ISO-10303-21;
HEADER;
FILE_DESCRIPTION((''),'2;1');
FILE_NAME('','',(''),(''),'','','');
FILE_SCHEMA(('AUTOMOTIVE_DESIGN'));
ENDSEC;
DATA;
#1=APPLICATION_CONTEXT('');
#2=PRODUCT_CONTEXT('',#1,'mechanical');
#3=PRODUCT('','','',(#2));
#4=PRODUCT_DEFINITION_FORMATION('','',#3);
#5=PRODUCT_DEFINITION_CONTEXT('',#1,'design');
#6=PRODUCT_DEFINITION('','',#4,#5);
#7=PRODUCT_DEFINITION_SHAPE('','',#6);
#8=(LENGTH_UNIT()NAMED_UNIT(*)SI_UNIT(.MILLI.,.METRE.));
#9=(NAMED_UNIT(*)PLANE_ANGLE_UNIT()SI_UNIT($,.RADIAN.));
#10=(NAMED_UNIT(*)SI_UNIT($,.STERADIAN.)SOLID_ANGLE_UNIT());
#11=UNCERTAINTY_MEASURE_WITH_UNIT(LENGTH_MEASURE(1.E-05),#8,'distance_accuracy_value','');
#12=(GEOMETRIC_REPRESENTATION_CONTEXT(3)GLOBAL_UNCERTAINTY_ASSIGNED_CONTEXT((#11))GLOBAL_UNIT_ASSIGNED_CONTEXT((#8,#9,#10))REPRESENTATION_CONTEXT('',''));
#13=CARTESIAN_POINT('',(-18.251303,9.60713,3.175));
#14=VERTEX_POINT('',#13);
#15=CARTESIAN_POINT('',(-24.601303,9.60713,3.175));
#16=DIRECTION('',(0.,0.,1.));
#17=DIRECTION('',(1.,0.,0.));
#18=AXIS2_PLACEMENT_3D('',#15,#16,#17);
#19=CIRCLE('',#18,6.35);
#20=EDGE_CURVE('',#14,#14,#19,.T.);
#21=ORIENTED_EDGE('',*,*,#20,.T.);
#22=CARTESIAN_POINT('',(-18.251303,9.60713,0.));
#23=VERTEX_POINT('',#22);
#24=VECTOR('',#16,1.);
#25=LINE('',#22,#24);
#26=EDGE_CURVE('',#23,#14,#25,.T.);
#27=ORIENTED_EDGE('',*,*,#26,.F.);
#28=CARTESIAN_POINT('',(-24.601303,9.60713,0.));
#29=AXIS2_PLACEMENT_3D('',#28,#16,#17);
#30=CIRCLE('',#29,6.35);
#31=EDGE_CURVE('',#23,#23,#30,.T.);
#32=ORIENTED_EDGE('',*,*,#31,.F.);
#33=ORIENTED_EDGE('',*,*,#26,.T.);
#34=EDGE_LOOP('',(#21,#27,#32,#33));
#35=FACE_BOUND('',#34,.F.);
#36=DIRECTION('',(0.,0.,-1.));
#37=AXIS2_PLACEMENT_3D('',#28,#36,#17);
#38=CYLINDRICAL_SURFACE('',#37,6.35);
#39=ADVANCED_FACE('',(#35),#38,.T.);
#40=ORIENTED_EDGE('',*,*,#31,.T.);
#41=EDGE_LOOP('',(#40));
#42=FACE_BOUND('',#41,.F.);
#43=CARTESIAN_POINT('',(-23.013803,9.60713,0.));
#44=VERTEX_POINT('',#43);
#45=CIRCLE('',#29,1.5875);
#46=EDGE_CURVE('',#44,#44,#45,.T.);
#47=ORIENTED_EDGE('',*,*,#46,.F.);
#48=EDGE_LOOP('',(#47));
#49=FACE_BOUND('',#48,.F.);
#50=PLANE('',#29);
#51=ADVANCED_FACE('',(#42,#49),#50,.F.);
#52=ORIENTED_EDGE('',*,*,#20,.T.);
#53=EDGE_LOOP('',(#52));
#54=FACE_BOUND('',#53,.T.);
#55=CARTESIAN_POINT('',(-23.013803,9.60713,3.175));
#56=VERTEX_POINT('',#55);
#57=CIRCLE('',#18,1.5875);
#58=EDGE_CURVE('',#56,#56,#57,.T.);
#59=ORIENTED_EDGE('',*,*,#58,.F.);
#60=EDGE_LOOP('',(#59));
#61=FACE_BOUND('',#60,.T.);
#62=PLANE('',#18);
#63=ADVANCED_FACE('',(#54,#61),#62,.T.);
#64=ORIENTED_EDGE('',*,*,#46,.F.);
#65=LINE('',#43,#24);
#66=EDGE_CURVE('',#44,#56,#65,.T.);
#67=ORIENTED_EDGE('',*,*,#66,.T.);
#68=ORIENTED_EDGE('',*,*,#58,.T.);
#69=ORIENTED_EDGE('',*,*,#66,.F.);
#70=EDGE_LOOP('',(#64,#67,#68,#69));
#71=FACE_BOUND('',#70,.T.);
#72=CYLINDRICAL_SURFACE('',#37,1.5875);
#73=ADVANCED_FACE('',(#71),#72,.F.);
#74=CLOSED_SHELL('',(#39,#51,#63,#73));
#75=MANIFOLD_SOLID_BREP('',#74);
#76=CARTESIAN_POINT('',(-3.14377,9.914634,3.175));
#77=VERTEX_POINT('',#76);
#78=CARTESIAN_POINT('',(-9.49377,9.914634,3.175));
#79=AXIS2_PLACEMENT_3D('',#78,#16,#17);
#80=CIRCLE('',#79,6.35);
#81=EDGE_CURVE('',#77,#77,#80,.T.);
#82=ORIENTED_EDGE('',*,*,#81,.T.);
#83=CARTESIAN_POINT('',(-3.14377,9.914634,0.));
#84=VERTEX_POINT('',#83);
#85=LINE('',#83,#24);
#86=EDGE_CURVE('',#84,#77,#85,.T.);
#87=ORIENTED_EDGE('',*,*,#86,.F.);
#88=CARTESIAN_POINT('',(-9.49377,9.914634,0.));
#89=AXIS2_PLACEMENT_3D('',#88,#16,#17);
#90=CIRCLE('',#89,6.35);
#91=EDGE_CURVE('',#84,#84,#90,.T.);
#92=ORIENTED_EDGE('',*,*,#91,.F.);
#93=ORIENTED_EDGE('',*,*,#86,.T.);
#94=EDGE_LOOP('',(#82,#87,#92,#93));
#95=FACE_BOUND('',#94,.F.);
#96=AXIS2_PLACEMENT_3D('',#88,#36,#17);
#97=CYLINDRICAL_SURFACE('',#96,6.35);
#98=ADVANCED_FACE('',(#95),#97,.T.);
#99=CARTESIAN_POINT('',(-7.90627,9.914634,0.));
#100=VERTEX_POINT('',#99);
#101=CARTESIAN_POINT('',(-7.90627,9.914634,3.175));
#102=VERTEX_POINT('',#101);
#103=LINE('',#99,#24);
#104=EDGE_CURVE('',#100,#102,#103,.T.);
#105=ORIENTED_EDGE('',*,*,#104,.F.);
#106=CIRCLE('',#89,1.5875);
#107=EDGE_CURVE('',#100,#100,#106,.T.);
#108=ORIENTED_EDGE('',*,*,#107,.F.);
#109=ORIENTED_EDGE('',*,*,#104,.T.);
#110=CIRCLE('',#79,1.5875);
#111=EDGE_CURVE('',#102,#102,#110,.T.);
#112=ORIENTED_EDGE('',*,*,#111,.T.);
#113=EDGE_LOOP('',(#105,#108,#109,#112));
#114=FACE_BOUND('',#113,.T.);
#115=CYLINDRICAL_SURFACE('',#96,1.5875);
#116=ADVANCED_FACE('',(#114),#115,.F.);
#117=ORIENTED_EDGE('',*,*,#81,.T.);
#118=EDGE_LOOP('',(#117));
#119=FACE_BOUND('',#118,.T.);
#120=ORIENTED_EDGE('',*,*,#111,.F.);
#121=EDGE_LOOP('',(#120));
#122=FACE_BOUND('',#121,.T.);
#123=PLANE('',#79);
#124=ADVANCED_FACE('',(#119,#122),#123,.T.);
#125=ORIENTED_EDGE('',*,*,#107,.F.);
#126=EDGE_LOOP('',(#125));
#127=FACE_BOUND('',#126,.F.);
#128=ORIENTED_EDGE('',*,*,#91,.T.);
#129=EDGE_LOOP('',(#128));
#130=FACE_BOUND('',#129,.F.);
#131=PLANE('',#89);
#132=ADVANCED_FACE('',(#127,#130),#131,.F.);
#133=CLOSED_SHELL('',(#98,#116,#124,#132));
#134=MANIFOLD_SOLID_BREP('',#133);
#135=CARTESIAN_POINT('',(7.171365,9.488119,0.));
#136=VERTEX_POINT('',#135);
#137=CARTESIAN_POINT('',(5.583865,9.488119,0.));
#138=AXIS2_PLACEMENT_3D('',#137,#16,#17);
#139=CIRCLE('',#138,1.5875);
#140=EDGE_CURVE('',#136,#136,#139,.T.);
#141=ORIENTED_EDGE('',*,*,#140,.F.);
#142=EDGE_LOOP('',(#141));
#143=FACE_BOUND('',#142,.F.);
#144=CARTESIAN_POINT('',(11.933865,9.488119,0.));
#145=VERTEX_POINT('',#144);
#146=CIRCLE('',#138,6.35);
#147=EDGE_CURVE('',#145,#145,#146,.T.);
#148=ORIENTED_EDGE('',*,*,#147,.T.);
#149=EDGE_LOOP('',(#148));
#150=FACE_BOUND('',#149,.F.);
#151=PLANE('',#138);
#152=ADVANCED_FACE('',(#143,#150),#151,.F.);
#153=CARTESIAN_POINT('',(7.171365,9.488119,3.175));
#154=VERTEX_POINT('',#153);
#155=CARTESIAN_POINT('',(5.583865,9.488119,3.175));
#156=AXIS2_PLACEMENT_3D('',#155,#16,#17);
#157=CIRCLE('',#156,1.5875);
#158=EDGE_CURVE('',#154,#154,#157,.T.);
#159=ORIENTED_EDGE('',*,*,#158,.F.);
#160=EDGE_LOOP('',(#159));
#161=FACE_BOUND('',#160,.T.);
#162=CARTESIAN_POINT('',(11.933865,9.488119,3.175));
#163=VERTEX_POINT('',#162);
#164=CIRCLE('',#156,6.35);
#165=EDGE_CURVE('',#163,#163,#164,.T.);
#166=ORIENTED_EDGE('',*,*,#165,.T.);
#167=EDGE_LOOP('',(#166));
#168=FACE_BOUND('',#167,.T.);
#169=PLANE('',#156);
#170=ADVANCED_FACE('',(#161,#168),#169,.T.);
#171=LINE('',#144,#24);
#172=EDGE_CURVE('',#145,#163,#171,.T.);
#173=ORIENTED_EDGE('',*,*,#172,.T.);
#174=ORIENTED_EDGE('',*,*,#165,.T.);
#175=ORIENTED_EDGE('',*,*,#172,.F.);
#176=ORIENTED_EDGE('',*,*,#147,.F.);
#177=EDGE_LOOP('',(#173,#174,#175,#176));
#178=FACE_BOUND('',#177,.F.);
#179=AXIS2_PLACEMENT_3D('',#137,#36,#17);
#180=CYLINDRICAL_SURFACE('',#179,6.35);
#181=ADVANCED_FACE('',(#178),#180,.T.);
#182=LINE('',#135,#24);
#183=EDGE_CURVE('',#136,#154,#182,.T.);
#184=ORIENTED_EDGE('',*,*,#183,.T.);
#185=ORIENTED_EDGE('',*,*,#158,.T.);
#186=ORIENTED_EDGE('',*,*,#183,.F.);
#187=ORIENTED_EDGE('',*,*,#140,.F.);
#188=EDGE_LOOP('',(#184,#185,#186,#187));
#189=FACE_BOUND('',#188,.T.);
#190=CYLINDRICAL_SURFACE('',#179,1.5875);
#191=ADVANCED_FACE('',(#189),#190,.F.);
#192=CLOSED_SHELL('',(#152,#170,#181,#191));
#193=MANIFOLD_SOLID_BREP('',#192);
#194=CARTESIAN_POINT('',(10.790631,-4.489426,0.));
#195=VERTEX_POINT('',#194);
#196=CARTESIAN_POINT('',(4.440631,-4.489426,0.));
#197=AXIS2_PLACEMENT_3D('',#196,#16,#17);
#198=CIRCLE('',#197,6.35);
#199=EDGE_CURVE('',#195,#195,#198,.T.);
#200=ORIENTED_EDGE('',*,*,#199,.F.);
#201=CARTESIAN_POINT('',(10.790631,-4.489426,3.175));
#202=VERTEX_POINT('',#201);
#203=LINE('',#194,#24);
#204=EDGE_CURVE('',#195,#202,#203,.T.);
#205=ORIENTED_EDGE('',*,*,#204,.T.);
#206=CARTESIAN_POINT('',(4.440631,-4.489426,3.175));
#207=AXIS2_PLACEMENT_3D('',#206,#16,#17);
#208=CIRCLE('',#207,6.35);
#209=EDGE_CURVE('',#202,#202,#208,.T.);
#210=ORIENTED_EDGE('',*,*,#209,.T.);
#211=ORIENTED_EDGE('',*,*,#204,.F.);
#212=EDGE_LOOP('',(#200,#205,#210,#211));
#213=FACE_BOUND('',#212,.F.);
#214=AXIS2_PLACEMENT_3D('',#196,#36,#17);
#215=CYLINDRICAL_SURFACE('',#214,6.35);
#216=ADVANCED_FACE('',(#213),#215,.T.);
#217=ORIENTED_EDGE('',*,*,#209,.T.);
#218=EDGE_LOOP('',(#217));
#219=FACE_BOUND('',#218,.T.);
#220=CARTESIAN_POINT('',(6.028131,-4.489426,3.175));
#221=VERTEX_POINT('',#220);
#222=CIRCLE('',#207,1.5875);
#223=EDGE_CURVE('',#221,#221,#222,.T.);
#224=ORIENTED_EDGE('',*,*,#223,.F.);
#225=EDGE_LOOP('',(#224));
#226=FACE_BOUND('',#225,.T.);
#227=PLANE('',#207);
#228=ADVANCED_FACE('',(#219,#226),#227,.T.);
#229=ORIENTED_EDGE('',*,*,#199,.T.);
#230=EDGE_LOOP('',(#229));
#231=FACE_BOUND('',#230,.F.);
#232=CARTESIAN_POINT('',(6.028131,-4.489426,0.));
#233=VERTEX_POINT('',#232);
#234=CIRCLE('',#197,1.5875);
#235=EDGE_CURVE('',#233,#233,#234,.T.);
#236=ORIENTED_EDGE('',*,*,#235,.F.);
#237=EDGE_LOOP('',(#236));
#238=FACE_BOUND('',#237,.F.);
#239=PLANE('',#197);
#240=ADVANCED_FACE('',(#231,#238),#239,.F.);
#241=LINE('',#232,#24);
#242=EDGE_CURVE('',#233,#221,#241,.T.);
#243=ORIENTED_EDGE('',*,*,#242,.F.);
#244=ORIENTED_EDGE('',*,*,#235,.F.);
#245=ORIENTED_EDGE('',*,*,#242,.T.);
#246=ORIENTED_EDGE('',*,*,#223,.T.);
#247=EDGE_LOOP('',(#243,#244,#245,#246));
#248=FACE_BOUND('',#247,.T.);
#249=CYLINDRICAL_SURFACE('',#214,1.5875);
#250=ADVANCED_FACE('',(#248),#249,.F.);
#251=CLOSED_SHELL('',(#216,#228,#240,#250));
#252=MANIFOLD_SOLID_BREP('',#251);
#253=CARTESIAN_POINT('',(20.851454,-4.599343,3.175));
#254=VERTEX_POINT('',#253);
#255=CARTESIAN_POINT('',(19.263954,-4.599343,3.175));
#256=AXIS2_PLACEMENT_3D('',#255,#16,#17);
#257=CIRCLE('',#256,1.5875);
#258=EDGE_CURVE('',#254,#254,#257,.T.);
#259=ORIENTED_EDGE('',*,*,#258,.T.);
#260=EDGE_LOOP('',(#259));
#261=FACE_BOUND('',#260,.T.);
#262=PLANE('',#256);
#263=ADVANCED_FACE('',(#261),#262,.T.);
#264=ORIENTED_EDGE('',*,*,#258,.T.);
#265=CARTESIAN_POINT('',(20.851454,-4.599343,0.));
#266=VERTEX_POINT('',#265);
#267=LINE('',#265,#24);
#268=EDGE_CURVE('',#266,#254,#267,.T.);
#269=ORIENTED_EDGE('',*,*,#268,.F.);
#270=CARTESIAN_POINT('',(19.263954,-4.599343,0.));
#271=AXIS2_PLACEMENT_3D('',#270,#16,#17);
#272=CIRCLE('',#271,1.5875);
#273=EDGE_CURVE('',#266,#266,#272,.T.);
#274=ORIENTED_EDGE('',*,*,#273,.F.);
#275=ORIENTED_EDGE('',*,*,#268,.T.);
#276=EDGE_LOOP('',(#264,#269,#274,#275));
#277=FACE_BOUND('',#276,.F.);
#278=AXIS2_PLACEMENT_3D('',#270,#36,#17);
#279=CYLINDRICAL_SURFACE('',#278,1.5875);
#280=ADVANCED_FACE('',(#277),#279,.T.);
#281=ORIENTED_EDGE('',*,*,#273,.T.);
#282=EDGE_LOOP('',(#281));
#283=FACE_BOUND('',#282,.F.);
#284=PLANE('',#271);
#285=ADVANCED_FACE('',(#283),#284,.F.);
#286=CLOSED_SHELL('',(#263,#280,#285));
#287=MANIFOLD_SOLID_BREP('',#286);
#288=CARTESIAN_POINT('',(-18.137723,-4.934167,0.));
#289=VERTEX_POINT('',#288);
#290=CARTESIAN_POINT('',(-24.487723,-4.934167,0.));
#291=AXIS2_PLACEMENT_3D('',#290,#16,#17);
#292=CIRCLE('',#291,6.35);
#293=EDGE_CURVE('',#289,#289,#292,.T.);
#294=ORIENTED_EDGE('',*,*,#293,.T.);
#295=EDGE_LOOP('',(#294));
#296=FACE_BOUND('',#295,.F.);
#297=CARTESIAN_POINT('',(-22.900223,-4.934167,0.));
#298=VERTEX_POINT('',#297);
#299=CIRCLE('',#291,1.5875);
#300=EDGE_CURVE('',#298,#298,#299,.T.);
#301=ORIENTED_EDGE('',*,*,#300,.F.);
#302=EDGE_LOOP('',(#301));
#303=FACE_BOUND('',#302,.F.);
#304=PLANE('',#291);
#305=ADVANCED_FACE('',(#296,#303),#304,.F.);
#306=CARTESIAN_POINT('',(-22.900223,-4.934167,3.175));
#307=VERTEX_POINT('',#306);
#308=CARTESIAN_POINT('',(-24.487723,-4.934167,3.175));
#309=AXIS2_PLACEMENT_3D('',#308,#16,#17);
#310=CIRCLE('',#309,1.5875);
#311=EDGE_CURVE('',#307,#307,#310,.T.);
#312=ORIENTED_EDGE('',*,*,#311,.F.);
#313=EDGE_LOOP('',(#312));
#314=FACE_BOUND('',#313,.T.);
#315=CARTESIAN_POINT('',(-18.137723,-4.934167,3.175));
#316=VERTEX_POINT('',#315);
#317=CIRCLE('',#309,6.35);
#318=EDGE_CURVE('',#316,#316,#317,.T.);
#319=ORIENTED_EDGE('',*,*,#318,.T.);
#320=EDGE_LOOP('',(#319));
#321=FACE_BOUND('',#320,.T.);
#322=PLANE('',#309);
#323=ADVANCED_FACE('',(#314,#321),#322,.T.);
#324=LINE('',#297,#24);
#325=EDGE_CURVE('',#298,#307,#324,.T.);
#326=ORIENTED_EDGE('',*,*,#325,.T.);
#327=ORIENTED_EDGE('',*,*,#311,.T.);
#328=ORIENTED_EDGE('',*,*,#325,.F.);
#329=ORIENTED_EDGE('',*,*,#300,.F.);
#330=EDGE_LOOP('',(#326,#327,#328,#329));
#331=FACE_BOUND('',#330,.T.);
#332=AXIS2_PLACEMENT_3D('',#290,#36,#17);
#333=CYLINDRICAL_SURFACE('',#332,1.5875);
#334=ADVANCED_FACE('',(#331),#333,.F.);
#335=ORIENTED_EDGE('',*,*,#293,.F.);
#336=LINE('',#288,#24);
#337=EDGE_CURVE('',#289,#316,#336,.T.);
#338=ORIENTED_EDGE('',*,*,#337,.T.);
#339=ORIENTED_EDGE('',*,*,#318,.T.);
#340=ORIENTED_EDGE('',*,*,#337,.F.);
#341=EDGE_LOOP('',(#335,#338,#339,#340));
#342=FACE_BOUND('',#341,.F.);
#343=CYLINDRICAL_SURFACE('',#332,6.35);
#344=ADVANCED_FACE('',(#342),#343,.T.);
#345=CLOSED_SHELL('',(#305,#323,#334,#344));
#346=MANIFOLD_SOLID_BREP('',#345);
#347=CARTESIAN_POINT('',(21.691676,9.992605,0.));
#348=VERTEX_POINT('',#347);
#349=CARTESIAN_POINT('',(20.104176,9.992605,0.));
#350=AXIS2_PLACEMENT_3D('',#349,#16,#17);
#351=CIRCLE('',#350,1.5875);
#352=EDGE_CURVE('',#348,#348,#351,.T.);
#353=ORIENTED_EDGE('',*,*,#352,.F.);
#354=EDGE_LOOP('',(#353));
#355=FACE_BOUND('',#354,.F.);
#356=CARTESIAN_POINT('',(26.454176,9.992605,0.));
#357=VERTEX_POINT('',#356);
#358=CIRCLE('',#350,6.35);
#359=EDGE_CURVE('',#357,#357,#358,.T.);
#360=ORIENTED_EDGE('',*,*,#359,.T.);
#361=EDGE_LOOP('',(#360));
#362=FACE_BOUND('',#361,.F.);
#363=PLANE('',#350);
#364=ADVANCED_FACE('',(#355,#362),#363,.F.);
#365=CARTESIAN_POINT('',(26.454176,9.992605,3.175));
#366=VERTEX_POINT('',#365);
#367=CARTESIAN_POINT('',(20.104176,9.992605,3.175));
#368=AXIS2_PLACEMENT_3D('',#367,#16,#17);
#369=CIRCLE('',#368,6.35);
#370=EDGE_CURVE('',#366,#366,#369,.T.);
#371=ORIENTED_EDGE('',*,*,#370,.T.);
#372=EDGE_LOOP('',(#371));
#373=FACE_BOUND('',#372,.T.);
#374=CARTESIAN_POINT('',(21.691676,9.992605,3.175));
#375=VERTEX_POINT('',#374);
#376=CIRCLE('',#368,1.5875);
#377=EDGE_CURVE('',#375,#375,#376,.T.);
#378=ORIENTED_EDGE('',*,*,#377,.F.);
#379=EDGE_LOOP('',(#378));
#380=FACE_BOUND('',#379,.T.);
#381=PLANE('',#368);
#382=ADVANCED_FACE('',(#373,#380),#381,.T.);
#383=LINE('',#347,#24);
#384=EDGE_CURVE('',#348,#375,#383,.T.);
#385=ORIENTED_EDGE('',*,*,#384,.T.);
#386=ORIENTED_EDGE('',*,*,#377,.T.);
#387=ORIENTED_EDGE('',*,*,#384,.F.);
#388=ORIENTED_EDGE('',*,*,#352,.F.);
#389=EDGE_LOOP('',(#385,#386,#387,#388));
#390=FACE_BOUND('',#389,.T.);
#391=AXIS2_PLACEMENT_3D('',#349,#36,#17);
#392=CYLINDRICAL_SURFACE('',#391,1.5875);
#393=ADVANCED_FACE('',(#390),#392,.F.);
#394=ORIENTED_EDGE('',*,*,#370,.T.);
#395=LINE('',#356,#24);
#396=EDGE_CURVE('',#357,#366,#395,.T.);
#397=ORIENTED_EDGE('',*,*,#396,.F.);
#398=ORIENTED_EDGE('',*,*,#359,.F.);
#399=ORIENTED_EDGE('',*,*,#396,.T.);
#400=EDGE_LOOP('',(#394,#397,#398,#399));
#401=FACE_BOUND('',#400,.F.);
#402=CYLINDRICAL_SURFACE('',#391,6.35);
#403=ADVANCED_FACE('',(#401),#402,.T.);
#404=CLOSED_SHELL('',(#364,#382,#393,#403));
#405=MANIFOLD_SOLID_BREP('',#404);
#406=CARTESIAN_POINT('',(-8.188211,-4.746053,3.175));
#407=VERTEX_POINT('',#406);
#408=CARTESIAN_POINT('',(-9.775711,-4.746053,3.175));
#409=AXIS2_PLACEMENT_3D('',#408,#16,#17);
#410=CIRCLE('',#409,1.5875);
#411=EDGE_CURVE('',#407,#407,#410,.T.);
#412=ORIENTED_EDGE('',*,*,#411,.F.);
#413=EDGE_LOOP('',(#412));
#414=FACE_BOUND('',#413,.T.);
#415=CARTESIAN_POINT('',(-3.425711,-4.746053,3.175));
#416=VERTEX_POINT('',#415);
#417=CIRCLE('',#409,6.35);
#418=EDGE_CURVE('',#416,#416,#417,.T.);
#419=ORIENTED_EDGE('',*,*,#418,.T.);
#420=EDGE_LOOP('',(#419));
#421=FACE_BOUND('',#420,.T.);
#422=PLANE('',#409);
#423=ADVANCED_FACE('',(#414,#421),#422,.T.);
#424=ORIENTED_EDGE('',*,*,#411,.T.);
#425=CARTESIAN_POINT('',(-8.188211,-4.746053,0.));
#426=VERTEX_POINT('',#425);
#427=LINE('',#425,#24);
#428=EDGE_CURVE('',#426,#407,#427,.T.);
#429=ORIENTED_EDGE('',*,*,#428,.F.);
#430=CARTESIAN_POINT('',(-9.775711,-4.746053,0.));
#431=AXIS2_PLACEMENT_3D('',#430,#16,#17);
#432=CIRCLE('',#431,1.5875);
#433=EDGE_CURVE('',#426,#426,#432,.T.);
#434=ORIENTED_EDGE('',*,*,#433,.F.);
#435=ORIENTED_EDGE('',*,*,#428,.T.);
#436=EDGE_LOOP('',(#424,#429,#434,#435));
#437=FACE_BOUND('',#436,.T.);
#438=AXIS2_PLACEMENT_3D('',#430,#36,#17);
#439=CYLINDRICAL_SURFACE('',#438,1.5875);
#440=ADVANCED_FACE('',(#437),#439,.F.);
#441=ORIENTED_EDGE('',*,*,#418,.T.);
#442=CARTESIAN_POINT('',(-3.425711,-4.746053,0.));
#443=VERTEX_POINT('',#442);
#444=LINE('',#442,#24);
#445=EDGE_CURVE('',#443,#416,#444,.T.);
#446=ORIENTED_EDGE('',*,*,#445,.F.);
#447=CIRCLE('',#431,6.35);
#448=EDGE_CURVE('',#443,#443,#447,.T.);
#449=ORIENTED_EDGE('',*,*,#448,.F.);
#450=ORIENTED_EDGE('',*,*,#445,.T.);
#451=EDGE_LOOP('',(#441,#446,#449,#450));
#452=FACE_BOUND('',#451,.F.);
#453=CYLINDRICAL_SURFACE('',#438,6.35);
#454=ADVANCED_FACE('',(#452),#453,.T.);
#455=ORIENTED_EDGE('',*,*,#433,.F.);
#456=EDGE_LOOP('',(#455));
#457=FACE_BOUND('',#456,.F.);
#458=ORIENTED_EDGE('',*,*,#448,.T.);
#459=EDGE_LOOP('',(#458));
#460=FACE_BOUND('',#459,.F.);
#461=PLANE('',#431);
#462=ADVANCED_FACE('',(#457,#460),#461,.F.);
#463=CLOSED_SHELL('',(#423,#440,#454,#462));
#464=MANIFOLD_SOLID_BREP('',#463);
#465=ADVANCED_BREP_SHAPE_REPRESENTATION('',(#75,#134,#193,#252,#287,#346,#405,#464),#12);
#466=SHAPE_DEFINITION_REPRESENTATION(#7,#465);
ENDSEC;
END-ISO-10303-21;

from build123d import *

# Parameters (mm, degrees)
F0_R     = 6.35
F0_R_2   = 1.5875
F1_DEPTH = 3.175


with BuildPart() as f1:
    # F0 (on Top) → F1 (new body)
    with BuildSketch(Plane.XY):
        with Locations((-24.601303, 9.60713)):
            Circle(F0_R)
        with Locations((-24.601303, 9.60713)):
            Circle(F0_R_2, mode=Mode.SUBTRACT)
        with Locations((-9.49377, 9.914634)):
            Circle(F0_R)
        with Locations((-9.49377, 9.914634)):
            Circle(F0_R_2, mode=Mode.SUBTRACT)
        with Locations((5.583865, 9.488119)):
            Circle(F0_R)
        with Locations((5.583865, 9.488119)):
            Circle(F0_R_2, mode=Mode.SUBTRACT)
        with Locations((20.104176, 9.992605)):
            Circle(F0_R)
        with Locations((20.104176, 9.992605)):
            Circle(F0_R_2, mode=Mode.SUBTRACT)
        with Locations((-24.487723, -4.934167)):
            Circle(F0_R)
        with Locations((-24.487723, -4.934167)):
            Circle(F0_R_2, mode=Mode.SUBTRACT)
        with Locations((4.440631, -4.489426)):
            Circle(F0_R)
        with Locations((4.440631, -4.489426)):
            Circle(F0_R_2, mode=Mode.SUBTRACT)
        with Locations((-9.775711, -4.746053)):
            Circle(F0_R)
        with Locations((-9.775711, -4.746053)):
            Circle(F0_R_2, mode=Mode.SUBTRACT)
        with Locations((19.263954, -4.599343)):
            Circle(F0_R_2)
    extrude(amount=F1_DEPTH)


solid = f1.part
